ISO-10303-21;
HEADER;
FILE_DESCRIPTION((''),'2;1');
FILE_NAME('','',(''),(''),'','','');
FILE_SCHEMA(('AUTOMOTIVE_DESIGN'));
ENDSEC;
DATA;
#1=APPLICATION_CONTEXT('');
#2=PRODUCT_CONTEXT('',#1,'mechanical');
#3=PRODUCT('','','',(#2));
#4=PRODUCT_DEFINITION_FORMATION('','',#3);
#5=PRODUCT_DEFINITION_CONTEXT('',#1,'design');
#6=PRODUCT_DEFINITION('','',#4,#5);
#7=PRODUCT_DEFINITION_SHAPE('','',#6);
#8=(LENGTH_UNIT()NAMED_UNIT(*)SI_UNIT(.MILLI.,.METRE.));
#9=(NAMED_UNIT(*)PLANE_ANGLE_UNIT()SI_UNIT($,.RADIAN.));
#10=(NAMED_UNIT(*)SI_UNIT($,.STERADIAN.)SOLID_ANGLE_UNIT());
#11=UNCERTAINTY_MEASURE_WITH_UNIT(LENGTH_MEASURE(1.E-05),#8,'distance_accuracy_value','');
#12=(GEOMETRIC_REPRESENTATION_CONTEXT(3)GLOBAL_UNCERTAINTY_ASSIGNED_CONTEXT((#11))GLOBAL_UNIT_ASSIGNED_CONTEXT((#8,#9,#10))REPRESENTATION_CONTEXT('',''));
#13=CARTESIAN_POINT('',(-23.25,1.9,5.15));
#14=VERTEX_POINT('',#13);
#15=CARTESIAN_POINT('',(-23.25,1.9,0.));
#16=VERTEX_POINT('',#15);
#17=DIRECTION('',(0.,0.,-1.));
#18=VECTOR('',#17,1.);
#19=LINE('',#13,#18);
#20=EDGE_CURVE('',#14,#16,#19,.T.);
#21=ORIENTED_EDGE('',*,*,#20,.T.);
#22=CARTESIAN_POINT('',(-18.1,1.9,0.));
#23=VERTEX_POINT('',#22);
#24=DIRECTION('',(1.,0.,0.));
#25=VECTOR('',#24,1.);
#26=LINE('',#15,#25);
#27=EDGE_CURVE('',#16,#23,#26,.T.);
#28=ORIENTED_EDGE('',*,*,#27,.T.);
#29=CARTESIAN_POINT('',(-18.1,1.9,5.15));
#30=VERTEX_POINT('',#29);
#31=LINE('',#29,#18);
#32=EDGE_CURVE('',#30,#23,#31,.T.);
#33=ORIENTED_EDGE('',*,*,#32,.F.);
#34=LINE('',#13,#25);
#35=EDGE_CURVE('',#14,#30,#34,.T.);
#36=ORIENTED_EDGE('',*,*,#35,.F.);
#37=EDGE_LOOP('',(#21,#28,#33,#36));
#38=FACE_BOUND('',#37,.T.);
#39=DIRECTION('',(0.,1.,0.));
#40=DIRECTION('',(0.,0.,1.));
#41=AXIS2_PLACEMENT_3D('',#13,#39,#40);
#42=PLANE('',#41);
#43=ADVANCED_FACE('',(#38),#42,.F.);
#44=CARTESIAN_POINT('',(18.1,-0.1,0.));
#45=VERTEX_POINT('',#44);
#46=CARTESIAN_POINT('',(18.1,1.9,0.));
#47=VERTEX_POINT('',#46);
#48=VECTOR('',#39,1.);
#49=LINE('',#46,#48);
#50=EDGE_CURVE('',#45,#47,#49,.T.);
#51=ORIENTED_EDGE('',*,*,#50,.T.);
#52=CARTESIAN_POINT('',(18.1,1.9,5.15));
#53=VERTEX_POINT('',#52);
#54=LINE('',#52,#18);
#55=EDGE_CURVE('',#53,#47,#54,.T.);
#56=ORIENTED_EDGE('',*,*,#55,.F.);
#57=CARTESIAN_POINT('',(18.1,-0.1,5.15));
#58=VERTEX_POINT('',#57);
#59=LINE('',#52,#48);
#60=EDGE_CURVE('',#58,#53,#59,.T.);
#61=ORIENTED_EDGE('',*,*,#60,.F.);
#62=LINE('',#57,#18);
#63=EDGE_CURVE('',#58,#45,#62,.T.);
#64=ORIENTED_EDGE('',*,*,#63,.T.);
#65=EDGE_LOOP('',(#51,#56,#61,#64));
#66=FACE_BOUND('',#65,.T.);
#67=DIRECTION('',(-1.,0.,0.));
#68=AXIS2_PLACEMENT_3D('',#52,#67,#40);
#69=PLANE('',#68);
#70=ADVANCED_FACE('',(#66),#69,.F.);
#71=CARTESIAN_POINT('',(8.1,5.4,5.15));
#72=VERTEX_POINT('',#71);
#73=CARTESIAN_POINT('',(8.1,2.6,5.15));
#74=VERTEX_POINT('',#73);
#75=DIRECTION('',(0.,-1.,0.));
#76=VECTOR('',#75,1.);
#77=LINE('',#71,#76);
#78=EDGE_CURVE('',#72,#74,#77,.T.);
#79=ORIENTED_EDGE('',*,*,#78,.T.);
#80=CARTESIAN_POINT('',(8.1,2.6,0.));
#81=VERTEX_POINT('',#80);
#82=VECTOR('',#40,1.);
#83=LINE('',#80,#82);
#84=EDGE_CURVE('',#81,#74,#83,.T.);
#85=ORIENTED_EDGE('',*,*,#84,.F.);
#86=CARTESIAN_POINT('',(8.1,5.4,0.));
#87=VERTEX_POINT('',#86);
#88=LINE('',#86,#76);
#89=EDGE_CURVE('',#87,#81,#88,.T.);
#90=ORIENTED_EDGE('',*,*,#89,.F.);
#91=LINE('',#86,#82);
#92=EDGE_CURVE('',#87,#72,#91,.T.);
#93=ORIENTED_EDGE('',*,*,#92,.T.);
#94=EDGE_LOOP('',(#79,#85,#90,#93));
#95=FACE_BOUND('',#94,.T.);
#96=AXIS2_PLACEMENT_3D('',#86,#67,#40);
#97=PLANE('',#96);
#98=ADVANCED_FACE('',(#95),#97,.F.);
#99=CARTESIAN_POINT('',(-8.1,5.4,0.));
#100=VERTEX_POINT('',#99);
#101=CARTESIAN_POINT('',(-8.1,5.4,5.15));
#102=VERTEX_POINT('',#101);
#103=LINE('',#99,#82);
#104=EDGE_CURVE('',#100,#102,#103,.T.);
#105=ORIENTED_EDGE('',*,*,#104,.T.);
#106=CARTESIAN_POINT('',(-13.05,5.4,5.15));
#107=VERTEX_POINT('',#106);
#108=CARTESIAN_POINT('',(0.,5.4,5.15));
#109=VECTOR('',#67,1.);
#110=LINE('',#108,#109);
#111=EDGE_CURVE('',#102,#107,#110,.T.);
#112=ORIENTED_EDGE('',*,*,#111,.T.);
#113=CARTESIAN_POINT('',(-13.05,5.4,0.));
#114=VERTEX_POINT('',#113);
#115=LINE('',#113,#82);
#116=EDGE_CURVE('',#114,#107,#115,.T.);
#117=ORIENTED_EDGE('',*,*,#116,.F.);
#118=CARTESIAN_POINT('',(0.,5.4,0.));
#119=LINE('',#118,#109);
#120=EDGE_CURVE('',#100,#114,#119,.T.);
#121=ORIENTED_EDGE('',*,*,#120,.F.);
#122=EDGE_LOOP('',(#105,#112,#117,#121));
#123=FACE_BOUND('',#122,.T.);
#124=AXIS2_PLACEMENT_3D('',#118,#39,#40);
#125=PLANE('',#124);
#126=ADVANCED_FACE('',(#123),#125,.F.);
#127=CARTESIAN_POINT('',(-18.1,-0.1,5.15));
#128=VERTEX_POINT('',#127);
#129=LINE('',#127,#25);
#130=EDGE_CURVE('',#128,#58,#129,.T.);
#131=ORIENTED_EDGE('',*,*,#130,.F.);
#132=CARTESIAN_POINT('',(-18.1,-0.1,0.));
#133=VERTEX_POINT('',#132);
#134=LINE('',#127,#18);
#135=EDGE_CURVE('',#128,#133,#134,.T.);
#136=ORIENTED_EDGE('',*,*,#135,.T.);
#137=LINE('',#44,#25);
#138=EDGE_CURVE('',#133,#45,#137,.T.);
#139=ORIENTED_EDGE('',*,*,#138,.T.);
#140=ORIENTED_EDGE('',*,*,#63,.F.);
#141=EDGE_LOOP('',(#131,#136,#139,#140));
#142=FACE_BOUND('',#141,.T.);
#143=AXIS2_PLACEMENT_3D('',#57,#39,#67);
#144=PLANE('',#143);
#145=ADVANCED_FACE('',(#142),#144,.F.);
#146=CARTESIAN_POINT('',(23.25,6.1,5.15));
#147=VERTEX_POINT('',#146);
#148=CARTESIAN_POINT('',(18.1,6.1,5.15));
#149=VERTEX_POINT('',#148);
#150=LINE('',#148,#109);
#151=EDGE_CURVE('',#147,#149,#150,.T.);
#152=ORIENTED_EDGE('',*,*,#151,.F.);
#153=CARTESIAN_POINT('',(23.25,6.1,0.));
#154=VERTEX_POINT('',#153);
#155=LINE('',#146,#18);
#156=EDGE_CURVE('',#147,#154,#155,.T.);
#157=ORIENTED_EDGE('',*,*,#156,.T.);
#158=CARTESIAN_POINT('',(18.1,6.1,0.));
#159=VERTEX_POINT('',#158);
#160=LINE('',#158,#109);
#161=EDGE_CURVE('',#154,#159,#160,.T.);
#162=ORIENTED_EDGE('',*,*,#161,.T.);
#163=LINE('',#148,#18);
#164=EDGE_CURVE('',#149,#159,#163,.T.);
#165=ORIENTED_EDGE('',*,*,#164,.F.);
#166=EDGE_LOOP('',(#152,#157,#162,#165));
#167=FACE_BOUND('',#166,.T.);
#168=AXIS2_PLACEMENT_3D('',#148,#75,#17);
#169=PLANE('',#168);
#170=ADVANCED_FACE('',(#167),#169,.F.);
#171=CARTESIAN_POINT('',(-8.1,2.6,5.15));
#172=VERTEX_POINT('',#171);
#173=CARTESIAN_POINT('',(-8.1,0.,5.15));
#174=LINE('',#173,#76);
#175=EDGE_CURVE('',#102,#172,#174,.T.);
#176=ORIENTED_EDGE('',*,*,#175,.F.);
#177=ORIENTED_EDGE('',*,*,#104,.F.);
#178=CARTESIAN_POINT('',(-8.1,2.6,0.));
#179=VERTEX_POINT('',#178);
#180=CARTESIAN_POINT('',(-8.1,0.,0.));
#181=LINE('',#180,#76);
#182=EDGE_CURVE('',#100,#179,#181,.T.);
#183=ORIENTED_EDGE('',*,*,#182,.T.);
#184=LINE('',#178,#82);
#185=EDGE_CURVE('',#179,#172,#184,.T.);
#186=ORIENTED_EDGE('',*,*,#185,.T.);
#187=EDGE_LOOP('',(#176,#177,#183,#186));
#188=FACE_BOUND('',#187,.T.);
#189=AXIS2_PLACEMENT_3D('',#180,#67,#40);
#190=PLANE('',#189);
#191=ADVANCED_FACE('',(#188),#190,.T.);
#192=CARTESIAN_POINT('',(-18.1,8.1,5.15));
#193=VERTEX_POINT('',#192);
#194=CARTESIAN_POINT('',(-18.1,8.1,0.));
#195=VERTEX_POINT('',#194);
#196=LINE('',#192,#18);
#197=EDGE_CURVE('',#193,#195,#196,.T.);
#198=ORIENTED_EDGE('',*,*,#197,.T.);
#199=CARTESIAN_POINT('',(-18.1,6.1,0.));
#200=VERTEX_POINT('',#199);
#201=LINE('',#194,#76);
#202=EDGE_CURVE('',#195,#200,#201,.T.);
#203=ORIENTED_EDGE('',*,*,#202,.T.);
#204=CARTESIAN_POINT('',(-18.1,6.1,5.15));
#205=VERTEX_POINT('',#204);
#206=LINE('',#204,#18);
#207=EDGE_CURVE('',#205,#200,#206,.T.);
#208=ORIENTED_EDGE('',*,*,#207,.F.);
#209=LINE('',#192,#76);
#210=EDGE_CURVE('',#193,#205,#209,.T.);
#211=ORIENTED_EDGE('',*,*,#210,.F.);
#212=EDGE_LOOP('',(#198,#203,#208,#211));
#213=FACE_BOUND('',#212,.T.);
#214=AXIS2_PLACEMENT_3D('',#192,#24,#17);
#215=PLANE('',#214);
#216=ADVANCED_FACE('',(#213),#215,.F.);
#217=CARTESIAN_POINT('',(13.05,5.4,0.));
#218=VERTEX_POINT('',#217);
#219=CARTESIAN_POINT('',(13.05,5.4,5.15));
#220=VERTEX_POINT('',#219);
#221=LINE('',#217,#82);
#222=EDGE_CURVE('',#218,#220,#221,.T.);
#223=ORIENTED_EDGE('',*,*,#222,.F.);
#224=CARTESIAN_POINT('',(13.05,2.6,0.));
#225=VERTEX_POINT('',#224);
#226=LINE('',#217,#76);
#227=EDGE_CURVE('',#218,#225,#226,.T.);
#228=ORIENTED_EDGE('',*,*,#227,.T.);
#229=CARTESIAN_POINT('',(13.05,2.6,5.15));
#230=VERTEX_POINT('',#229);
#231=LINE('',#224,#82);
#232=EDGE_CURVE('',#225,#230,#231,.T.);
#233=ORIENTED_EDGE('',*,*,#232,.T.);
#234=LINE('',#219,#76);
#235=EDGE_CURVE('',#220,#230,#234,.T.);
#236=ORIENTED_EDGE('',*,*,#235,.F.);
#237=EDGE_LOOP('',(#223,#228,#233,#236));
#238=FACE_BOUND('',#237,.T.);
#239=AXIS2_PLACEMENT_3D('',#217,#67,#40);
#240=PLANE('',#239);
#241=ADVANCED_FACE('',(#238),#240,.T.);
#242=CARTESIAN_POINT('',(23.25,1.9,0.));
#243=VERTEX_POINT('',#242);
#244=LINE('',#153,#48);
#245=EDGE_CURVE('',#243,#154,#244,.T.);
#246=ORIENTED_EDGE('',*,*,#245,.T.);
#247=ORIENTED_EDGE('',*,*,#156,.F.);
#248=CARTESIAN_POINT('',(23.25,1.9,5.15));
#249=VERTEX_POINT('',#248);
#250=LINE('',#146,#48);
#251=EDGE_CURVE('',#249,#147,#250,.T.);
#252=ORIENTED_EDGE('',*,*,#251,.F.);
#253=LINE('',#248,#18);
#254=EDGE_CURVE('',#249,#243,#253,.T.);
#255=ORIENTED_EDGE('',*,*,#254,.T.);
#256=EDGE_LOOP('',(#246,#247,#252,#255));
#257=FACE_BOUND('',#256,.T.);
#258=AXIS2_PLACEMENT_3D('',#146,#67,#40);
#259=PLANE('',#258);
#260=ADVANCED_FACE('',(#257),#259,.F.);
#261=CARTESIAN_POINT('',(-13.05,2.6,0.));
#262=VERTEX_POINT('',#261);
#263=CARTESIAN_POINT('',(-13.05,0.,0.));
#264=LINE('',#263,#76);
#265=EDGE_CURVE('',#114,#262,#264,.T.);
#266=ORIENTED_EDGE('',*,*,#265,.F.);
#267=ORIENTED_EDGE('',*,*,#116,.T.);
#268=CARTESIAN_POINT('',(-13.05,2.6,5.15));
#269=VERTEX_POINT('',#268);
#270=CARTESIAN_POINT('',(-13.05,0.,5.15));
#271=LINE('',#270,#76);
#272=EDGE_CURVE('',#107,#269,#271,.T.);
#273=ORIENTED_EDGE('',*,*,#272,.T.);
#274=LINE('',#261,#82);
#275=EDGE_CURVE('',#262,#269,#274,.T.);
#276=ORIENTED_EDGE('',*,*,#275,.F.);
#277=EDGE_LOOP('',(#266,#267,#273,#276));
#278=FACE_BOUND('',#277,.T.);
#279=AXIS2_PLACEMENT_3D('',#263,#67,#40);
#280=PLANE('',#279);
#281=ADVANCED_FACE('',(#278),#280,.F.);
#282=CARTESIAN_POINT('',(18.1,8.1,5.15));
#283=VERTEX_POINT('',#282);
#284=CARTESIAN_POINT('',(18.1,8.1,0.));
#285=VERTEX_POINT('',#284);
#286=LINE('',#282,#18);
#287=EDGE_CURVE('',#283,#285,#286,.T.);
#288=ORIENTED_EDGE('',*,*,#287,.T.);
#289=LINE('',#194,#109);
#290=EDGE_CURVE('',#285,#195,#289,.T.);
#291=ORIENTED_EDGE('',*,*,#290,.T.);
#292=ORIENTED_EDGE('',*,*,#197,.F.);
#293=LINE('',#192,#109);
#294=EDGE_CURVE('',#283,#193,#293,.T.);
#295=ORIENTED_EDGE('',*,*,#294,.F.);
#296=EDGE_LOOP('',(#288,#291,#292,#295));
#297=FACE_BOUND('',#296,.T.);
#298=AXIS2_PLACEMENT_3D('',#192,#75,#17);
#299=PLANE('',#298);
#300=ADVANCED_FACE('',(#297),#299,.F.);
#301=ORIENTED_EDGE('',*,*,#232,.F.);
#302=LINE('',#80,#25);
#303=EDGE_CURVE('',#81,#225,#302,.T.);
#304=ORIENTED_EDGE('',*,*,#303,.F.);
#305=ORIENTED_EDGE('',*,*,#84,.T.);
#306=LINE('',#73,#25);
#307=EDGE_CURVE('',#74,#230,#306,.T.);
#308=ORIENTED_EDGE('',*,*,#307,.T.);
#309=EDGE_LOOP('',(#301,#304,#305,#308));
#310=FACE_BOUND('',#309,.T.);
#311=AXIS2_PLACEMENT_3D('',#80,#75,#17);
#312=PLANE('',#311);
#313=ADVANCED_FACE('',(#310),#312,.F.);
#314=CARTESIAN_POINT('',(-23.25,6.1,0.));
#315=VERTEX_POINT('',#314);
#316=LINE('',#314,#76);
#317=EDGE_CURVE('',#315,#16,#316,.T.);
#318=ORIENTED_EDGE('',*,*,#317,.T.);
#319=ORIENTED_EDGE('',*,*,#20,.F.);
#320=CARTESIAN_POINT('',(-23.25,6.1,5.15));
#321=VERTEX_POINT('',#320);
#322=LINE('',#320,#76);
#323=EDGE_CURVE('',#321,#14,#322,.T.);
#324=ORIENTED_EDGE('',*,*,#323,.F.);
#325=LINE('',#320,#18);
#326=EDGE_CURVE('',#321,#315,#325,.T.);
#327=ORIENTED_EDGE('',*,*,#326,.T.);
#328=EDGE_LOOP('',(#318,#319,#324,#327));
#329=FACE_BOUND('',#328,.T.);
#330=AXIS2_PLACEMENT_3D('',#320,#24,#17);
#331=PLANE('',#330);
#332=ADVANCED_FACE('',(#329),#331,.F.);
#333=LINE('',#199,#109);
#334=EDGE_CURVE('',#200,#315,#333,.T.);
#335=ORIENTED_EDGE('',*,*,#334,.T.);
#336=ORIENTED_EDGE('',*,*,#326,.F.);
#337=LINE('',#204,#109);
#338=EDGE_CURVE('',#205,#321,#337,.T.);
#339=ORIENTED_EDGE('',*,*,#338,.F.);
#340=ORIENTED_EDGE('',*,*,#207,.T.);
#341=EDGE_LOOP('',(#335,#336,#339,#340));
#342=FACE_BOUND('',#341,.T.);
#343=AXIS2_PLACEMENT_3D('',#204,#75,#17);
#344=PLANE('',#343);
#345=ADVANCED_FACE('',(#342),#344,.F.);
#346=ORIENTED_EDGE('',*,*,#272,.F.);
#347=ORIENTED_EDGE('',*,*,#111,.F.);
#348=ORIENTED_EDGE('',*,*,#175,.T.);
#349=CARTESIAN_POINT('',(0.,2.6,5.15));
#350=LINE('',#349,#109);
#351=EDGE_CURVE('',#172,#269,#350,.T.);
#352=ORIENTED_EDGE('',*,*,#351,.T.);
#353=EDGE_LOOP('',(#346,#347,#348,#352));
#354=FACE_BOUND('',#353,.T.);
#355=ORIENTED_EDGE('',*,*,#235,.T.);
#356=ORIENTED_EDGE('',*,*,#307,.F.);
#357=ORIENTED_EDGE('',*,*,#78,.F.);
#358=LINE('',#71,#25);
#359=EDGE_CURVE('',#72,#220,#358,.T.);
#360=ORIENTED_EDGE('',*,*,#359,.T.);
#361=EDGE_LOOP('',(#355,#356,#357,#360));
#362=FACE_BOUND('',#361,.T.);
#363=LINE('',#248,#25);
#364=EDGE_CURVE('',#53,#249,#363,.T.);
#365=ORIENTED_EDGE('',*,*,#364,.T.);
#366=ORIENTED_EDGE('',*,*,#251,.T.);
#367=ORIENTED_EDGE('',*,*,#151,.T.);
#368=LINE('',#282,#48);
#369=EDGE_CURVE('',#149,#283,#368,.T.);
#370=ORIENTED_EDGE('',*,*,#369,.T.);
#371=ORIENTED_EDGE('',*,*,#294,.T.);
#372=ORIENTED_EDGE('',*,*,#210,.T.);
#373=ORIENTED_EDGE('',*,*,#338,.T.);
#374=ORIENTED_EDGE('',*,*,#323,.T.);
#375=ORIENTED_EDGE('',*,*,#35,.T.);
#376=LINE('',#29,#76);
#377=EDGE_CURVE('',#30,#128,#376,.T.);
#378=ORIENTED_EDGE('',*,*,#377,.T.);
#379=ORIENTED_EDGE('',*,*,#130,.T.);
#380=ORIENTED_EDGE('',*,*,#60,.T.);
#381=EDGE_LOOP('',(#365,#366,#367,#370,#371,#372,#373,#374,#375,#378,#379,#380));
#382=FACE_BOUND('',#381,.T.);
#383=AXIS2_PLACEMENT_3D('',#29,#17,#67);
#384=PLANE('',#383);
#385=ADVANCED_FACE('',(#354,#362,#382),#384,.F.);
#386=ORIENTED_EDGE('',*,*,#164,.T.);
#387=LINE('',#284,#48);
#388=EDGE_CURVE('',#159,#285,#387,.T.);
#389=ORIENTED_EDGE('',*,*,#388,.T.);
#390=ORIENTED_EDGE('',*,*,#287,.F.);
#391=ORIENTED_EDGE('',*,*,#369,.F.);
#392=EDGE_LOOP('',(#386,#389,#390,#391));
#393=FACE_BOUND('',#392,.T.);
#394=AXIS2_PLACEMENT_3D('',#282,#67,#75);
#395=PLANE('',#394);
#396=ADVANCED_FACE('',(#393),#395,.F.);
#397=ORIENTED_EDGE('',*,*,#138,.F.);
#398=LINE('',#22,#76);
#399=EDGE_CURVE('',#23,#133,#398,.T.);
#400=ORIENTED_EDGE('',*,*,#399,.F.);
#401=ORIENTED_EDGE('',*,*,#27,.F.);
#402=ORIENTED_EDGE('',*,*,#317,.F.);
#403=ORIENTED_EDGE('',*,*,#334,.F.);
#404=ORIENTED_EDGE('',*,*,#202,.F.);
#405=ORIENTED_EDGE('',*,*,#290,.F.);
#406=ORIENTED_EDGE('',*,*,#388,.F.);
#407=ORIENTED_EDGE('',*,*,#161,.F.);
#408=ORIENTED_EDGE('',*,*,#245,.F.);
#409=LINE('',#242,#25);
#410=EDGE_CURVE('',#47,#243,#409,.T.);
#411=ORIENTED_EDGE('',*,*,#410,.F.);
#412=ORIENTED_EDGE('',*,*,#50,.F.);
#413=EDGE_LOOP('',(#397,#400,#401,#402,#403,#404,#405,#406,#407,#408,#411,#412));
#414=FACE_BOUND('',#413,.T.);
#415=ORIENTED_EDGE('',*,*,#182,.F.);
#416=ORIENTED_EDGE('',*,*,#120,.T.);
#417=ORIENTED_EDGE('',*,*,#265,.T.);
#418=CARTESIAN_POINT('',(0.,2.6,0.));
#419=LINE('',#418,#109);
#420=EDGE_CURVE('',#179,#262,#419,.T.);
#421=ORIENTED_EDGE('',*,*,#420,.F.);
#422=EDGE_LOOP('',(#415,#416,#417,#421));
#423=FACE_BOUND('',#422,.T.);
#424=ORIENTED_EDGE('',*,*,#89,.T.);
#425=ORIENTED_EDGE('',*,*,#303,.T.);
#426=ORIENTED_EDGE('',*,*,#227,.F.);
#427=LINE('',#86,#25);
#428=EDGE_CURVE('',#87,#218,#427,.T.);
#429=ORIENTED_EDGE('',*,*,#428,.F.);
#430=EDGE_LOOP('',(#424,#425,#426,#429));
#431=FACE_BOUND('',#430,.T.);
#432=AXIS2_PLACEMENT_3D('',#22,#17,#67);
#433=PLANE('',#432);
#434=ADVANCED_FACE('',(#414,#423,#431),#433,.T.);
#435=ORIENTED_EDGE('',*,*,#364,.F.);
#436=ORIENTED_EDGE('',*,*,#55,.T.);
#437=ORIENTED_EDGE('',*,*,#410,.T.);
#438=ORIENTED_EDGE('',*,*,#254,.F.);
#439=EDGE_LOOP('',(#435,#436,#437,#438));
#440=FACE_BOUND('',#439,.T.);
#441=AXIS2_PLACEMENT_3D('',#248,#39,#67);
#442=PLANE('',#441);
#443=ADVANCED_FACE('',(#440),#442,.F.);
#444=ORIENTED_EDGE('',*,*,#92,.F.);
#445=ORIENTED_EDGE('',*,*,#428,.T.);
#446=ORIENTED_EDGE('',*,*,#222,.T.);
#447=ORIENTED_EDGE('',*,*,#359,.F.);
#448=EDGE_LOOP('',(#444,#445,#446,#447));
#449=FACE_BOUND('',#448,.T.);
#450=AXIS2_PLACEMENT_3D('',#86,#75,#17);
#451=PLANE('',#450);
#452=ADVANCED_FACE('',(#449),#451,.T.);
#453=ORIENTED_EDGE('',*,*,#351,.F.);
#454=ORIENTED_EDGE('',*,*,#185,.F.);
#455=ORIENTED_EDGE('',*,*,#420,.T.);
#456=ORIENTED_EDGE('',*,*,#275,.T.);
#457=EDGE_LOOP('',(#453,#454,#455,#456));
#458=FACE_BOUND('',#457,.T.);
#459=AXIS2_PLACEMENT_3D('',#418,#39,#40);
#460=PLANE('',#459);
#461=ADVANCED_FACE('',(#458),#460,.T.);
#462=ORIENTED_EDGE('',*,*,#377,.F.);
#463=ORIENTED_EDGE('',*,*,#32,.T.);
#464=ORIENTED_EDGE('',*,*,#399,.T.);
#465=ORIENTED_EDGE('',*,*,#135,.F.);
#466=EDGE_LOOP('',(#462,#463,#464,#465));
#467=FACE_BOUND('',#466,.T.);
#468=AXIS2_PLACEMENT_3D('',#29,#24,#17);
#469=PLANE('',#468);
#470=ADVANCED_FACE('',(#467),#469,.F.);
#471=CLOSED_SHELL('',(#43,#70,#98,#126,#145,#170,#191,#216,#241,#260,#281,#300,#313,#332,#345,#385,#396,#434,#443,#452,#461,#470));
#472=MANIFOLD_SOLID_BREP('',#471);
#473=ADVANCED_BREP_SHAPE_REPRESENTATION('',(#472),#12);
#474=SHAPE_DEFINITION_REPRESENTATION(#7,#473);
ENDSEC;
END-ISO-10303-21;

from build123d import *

# Parameters (mm, degrees)
BOSS_EXTRUDE1_DEPTH = 5.15
SKETCH2_W           = 4.95
SKETCH2_H           = 2.8
CUT_EXTRUDE1_DEPTH  = 6.15


with BuildPart() as part:
    # Sketch1 → Boss-Extrude1 (new body)
    with BuildSketch(Plane.XY):
        Polygon((-18.1, 1.9), (-18.1, -0.1), (0, -0.1), (18.1, -0.1), (18.1, 1.9), (23.25, 1.9), (23.25, 6.1), (18.1, 6.1), (18.1, 8.1), (-18.1, 8.1), (-18.1, 6.1), (-23.25, 6.1), (-23.25, 1.9), align=None)
    extrude(amount=BOSS_EXTRUDE1_DEPTH)

    # Sketch2 → Cut-Extrude1 (cut, through all)
    with BuildSketch(Plane.XY.offset(5.15)):
        with Locations((-10.575, 4)):
            Rectangle(SKETCH2_W, SKETCH2_H)
        with Locations((10.575, 4)):
            Rectangle(SKETCH2_W, SKETCH2_H)
    extrude(amount=-CUT_EXTRUDE1_DEPTH, mode=Mode.SUBTRACT)


solid = part.part
